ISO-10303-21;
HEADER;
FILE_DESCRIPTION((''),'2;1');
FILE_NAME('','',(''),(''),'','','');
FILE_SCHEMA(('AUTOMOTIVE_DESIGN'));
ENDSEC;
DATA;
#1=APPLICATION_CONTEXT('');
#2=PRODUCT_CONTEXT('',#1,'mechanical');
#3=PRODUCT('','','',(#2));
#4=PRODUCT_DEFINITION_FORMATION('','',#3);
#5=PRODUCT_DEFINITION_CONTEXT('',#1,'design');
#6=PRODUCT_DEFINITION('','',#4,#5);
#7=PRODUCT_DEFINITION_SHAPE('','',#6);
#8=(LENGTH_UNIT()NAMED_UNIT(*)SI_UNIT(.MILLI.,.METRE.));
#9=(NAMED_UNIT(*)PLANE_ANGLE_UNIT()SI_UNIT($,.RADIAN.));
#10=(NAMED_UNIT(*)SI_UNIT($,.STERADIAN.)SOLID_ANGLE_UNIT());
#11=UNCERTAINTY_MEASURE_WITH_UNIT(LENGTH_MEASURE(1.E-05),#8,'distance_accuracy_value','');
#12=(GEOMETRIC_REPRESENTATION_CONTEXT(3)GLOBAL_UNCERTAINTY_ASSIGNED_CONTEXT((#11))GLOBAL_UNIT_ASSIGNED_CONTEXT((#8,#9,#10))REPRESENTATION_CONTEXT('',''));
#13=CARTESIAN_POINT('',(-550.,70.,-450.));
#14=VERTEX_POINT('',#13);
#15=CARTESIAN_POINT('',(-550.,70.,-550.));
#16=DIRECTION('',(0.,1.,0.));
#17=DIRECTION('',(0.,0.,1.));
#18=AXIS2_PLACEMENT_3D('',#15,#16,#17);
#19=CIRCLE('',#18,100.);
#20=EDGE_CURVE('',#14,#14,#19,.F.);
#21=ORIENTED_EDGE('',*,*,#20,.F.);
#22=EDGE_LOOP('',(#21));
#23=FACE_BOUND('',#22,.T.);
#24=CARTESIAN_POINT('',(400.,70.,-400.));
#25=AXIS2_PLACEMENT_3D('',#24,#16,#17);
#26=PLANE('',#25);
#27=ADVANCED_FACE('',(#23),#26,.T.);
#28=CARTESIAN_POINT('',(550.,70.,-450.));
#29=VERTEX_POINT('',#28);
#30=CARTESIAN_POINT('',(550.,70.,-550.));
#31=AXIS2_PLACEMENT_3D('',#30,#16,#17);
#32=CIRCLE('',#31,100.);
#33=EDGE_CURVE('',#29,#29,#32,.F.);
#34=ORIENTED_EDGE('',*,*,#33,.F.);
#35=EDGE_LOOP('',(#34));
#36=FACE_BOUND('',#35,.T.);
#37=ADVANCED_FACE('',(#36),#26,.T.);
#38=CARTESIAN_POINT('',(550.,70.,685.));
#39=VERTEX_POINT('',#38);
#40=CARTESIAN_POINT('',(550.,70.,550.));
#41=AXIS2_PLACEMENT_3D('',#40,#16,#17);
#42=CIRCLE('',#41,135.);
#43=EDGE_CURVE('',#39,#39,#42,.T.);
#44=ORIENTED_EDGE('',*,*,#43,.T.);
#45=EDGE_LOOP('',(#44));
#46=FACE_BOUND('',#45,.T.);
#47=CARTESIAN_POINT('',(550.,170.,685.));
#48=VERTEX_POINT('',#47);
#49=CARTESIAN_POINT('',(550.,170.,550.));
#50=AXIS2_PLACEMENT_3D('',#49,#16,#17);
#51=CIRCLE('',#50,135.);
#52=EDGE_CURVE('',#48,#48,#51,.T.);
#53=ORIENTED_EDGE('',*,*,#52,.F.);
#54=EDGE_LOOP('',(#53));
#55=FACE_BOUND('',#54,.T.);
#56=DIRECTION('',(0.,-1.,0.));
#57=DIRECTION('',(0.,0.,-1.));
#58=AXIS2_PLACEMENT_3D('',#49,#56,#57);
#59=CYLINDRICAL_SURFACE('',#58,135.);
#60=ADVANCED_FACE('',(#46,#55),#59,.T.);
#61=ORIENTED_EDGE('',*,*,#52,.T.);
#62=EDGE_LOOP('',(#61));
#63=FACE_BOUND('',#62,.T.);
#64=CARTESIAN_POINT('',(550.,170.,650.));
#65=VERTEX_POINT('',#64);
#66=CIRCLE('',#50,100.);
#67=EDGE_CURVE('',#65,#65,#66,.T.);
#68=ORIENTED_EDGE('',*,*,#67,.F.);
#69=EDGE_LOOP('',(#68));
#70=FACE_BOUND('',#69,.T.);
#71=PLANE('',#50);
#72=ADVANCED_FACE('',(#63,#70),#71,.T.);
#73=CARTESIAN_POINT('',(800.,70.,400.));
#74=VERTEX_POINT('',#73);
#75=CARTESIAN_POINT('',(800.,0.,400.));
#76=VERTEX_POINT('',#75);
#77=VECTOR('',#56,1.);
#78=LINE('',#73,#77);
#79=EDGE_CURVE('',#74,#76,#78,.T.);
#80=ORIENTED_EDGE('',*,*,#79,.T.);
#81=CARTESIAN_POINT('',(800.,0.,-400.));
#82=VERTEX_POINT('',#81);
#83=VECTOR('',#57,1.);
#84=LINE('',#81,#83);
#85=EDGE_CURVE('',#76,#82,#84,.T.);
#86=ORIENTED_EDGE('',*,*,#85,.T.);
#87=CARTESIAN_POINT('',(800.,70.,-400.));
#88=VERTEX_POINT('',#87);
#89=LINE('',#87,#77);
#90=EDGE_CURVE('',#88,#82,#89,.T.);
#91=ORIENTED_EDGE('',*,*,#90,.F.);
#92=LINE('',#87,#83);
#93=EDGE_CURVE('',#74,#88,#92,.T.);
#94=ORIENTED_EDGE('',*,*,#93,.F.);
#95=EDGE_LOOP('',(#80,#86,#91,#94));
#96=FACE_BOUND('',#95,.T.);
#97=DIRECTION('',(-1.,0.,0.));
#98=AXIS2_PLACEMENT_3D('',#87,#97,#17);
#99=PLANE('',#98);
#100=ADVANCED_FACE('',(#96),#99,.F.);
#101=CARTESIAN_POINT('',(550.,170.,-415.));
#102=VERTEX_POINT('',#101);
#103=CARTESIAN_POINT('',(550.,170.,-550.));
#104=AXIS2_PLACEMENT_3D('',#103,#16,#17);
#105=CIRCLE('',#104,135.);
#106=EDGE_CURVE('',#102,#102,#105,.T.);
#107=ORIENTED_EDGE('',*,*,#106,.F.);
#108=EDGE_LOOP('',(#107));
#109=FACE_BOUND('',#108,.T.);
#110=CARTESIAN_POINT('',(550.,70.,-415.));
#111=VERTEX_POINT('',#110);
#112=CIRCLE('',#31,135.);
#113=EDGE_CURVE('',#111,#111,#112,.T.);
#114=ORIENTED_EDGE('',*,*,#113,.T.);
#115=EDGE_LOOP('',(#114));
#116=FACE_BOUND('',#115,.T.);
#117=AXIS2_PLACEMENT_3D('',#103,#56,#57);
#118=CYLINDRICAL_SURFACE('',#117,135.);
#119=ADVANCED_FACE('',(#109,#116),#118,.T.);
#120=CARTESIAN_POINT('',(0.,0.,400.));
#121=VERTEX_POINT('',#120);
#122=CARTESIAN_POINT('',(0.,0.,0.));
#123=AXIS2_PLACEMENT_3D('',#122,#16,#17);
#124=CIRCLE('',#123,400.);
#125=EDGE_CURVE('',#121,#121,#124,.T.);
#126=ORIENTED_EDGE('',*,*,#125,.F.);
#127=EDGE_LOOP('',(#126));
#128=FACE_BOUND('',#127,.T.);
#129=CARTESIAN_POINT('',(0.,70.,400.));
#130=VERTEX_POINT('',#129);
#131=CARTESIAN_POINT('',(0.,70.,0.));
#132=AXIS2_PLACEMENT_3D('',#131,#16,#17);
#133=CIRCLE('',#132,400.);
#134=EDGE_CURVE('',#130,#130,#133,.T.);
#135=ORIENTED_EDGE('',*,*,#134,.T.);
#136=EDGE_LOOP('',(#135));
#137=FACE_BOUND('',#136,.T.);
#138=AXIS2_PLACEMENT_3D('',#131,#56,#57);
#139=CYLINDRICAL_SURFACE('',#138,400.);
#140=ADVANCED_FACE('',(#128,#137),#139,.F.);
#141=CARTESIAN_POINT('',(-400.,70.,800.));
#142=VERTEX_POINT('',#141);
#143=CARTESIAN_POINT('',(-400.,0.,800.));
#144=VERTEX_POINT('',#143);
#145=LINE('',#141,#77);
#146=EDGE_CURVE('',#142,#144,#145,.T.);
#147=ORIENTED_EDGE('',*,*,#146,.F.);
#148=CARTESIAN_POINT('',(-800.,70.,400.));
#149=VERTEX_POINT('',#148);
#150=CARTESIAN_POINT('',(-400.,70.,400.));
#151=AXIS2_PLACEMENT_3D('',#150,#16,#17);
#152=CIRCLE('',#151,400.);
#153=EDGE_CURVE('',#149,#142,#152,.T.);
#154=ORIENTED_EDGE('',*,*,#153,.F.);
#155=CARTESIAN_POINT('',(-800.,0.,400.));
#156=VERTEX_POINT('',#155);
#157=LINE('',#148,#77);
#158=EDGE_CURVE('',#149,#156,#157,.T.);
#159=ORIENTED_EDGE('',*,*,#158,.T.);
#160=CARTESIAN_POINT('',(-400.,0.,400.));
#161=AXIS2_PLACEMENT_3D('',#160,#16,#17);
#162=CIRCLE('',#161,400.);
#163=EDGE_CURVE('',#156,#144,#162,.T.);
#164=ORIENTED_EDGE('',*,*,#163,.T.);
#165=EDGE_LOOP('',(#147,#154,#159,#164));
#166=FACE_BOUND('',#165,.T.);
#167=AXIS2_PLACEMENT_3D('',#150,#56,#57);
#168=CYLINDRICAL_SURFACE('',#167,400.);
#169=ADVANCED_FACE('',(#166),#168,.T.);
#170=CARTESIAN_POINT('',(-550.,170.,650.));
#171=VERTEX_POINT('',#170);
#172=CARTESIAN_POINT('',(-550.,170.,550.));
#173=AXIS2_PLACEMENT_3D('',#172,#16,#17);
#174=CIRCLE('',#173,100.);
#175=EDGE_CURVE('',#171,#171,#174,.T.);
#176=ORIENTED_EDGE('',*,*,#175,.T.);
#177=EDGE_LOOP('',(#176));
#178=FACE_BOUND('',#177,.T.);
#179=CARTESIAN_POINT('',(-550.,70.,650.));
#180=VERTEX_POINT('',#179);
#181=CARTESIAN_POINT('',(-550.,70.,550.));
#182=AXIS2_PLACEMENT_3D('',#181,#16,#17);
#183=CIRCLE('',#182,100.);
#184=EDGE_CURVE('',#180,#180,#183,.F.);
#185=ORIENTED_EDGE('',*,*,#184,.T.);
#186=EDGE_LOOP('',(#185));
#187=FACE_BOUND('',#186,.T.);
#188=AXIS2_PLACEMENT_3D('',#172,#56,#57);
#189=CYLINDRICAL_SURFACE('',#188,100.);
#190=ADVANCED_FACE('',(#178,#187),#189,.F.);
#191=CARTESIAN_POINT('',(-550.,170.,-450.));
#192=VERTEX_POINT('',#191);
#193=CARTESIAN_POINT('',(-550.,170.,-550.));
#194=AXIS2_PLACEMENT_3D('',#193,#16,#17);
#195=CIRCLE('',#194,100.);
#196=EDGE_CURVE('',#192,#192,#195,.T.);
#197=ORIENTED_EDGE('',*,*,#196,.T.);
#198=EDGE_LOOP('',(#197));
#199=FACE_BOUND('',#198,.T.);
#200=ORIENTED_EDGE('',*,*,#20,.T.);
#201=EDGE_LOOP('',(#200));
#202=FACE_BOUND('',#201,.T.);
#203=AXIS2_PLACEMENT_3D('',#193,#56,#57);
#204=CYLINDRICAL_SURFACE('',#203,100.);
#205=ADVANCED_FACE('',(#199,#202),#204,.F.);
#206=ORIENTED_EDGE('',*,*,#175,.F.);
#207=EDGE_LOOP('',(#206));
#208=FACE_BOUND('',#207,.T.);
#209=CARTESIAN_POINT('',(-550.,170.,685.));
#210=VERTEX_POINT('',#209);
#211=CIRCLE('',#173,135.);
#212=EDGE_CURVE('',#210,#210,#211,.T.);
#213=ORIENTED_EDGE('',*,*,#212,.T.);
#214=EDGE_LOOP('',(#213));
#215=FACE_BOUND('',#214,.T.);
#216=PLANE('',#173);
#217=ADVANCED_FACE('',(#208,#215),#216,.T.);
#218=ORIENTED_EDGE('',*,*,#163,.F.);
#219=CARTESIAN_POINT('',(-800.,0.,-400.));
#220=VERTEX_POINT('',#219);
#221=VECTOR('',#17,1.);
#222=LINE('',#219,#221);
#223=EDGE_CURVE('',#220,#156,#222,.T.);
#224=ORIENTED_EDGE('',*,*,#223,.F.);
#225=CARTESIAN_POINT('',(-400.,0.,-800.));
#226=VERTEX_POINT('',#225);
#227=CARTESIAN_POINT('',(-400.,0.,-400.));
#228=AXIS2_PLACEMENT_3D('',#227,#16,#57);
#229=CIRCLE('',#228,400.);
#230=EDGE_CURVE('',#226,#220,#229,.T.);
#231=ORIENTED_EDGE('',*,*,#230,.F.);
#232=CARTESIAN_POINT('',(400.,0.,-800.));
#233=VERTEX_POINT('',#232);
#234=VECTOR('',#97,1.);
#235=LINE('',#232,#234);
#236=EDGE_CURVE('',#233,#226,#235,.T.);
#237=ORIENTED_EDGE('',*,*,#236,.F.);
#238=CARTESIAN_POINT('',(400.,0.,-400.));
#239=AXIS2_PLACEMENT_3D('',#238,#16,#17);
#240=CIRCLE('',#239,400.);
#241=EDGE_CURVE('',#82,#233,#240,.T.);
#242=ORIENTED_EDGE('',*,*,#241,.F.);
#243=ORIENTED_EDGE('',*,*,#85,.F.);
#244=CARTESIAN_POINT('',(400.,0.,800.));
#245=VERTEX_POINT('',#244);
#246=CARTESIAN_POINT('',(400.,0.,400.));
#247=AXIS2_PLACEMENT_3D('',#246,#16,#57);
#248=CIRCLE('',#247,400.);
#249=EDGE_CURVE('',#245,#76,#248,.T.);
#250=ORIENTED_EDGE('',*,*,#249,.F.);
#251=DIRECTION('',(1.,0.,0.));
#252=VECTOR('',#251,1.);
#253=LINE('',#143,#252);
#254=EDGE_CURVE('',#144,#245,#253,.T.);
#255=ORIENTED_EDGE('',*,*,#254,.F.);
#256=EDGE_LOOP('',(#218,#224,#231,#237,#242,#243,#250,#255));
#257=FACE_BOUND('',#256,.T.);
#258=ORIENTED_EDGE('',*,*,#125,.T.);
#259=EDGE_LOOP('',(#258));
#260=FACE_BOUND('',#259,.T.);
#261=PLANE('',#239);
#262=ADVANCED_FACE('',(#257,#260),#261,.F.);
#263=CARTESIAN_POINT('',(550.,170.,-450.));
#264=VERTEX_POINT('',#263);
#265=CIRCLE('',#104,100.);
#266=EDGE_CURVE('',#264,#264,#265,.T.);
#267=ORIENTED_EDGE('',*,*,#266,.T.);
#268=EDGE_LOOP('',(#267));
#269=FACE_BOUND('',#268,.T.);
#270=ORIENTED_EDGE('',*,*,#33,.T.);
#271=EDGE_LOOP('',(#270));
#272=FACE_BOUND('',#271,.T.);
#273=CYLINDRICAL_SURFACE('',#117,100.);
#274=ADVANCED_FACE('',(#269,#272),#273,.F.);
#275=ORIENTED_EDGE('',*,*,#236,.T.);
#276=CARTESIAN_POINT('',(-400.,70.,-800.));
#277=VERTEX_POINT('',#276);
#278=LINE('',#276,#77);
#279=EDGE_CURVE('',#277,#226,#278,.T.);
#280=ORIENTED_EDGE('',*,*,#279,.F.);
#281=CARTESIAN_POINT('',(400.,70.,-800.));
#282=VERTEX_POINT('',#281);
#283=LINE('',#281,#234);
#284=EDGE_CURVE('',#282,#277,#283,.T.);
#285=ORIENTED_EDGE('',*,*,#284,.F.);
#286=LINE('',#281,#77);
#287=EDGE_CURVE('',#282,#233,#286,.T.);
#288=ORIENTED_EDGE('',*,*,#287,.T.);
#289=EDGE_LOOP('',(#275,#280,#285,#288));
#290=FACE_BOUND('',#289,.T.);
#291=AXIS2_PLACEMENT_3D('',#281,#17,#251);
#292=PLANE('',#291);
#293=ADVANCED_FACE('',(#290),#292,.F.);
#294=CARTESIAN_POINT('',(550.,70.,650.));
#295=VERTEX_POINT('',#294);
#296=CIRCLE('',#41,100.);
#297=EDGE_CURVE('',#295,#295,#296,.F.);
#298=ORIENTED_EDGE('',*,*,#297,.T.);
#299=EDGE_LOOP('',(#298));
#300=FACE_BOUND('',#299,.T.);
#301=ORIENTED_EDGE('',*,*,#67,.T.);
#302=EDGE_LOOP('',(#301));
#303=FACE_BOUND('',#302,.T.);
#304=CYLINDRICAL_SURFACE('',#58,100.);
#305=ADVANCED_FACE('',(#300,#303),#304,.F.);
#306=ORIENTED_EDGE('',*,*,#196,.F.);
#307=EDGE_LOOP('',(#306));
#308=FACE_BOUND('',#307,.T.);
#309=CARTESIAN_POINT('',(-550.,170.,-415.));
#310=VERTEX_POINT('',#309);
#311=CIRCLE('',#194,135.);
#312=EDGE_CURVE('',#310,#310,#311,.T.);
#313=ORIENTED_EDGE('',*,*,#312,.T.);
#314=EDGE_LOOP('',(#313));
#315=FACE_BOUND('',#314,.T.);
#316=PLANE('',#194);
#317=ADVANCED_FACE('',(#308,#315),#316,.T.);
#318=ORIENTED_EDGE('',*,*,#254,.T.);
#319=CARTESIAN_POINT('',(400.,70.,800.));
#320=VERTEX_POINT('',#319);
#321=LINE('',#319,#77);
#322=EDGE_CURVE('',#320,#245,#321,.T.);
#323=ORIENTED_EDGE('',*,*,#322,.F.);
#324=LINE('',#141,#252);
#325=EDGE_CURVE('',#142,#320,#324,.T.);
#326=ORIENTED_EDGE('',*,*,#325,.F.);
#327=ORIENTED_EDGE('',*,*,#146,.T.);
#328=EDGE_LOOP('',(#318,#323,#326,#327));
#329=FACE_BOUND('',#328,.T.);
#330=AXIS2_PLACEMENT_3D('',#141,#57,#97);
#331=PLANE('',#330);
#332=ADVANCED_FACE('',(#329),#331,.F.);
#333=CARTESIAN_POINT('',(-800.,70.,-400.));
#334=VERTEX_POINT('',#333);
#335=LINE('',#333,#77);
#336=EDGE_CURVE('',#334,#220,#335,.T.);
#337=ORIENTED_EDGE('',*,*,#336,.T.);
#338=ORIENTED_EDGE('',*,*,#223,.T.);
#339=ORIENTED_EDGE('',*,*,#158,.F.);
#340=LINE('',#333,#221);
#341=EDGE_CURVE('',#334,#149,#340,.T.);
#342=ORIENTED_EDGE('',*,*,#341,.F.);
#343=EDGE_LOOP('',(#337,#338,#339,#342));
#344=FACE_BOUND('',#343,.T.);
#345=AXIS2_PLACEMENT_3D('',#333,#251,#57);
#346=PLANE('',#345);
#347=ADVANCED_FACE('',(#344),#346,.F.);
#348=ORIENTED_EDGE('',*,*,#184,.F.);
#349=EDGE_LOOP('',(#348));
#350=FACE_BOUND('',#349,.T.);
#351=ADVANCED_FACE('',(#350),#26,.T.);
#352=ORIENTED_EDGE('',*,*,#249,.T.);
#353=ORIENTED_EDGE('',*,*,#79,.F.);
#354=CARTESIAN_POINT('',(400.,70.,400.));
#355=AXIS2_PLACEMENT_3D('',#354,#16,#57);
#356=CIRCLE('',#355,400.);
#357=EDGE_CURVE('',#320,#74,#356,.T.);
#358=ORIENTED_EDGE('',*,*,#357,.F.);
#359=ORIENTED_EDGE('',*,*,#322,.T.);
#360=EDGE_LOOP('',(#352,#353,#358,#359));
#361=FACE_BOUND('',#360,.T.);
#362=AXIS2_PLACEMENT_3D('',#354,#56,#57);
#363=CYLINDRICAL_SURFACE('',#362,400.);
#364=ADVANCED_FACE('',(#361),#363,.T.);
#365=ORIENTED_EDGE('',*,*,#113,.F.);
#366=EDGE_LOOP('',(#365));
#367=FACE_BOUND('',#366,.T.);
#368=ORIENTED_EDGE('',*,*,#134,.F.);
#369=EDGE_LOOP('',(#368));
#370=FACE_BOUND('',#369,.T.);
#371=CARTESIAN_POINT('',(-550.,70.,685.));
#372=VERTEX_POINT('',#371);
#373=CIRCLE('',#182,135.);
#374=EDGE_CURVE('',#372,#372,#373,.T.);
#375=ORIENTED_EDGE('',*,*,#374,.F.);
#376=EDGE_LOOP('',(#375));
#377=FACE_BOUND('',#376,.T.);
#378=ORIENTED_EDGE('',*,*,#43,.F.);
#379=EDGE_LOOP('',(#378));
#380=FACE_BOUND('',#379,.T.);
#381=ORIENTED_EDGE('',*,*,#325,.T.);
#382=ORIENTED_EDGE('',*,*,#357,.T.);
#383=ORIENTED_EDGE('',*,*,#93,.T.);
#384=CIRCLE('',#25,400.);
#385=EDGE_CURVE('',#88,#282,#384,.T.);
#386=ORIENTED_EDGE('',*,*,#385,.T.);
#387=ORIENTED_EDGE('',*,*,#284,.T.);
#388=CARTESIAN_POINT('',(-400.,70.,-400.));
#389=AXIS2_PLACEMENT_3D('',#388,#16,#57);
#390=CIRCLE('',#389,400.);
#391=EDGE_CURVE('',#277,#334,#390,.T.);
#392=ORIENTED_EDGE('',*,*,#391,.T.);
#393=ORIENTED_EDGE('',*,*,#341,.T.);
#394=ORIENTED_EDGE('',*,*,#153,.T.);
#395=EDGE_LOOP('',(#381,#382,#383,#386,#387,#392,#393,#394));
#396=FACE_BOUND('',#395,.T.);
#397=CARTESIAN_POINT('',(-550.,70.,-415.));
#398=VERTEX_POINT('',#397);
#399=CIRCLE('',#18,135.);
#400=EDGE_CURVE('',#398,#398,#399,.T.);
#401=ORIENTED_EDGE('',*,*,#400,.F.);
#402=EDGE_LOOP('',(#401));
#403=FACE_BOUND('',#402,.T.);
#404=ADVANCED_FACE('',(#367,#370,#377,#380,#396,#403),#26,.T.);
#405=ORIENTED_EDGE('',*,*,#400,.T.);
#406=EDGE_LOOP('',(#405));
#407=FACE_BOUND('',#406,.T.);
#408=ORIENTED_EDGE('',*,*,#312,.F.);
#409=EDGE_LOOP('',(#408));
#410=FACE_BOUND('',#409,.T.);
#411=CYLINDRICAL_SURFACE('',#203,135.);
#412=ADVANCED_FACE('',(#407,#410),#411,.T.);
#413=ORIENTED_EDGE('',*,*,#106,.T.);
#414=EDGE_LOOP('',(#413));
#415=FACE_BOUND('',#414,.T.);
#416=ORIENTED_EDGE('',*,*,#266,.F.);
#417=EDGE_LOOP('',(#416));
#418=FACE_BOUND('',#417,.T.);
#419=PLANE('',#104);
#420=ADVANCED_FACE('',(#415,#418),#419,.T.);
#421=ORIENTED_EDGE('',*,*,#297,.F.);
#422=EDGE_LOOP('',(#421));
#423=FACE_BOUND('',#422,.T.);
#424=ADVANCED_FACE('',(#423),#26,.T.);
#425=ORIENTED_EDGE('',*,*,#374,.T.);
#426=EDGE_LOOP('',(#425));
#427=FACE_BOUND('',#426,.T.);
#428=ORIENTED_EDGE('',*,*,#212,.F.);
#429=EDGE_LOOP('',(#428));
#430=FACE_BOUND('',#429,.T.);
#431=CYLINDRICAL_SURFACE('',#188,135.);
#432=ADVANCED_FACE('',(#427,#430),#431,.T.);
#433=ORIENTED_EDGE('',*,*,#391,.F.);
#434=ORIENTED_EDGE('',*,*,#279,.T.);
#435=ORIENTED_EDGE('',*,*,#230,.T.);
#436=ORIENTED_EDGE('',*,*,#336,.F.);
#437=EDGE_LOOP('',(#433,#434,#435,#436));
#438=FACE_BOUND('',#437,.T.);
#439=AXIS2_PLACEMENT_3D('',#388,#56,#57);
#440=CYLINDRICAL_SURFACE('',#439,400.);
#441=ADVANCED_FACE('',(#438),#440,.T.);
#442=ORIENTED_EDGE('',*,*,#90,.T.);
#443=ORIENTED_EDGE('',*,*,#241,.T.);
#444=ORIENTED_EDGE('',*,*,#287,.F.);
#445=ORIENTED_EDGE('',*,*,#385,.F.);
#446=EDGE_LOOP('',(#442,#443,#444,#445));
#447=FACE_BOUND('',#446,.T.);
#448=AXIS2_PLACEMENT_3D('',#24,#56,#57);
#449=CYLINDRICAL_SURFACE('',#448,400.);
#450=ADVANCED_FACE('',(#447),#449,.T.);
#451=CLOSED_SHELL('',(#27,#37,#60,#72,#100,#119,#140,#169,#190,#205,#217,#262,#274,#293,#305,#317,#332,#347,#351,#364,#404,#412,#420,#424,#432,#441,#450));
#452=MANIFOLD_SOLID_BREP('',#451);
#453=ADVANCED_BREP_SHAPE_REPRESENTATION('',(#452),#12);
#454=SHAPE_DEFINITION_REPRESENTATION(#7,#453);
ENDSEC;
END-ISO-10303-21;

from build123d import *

# Parameters (mm, degrees)
IZIM1_R                     = 400
Y_KSEKLIK_EKSTR_ZYON1_DEPTH = 70
IZIM2_R                     = 135
IZIM2_R_2                   = 100
Y_KSEKLIK_EKSTR_ZYON2_DEPTH = 100


with BuildPart() as part:
    # Çizim1 → Yükseklik-Ekstrüzyon1 (new body)
    with BuildSketch(Plane(origin=(0, 0, 0), x_dir=(1, 0, 0), z_dir=(0, 1, 0))):
        with BuildLine():
            Line((800, 400), (800, -400))
            ThreePointArc((800, -400), (682.842712475, -682.842712475), (400, -800))
            Line((400, -800), (-400, -800))
            ThreePointArc((-400, -800), (-682.842712475, -682.842712475), (-800, -400))
            Line((-800, -400), (-800, 400))
            ThreePointArc((-800, 400), (-682.842712475, 682.842712475), (-400, 800))
            Line((-400, 800), (400, 800))
            ThreePointArc((400, 800), (682.842712475, 682.842712475), (800, 400))
        make_face()
        with Locations(Location((0, 0, 0), (0, 0, 270))):
            Circle(IZIM1_R, mode=Mode.SUBTRACT)
    extrude(amount=Y_KSEKLIK_EKSTR_ZYON1_DEPTH)

    # Çizim2 → Yükseklik-Ekstrüzyon2 (add)
    # profile 1 of 4: a face of its own
    with BuildSketch(Plane(origin=(0, 70, 0), x_dir=(1, 0, 0), z_dir=(0, 1, 0))):
        with Locations(Location((-550, 550, 0), (0, 0, 270))):
            Circle(IZIM2_R)
        with Locations(Location((-550, 550, 0), (0, 0, 270))):
            Circle(IZIM2_R_2, mode=Mode.SUBTRACT)
    # profile 2 of 4: a face of its own
    with BuildSketch(Plane(origin=(0, 70, 0), x_dir=(1, 0, 0), z_dir=(0, 1, 0))):
        with Locations(Location((550, 550, 0), (0, 0, 270))):
            Circle(IZIM2_R)
        with Locations(Location((550, 550, 0), (0, 0, 270))):
            Circle(IZIM2_R_2, mode=Mode.SUBTRACT)
    # profile 3 of 4: a face of its own
    with BuildSketch(Plane(origin=(0, 70, 0), x_dir=(1, 0, 0), z_dir=(0, 1, 0))):
        with Locations(Location((-550, -550, 0), (0, 0, 270))):
            Circle(IZIM2_R)
        with Locations(Location((-550, -550, 0), (0, 0, 270))):
            Circle(IZIM2_R_2, mode=Mode.SUBTRACT)
    # profile 4 of 4: a face of its own
    with BuildSketch(Plane(origin=(0, 70, 0), x_dir=(1, 0, 0), z_dir=(0, 1, 0))):
        with Locations(Location((550, -550, 0), (0, 0, 270))):
            Circle(IZIM2_R)
        with Locations(Location((550, -550, 0), (0, 0, 270))):
            Circle(IZIM2_R_2, mode=Mode.SUBTRACT)
    extrude(amount=Y_KSEKLIK_EKSTR_ZYON2_DEPTH)


solid = part.part
